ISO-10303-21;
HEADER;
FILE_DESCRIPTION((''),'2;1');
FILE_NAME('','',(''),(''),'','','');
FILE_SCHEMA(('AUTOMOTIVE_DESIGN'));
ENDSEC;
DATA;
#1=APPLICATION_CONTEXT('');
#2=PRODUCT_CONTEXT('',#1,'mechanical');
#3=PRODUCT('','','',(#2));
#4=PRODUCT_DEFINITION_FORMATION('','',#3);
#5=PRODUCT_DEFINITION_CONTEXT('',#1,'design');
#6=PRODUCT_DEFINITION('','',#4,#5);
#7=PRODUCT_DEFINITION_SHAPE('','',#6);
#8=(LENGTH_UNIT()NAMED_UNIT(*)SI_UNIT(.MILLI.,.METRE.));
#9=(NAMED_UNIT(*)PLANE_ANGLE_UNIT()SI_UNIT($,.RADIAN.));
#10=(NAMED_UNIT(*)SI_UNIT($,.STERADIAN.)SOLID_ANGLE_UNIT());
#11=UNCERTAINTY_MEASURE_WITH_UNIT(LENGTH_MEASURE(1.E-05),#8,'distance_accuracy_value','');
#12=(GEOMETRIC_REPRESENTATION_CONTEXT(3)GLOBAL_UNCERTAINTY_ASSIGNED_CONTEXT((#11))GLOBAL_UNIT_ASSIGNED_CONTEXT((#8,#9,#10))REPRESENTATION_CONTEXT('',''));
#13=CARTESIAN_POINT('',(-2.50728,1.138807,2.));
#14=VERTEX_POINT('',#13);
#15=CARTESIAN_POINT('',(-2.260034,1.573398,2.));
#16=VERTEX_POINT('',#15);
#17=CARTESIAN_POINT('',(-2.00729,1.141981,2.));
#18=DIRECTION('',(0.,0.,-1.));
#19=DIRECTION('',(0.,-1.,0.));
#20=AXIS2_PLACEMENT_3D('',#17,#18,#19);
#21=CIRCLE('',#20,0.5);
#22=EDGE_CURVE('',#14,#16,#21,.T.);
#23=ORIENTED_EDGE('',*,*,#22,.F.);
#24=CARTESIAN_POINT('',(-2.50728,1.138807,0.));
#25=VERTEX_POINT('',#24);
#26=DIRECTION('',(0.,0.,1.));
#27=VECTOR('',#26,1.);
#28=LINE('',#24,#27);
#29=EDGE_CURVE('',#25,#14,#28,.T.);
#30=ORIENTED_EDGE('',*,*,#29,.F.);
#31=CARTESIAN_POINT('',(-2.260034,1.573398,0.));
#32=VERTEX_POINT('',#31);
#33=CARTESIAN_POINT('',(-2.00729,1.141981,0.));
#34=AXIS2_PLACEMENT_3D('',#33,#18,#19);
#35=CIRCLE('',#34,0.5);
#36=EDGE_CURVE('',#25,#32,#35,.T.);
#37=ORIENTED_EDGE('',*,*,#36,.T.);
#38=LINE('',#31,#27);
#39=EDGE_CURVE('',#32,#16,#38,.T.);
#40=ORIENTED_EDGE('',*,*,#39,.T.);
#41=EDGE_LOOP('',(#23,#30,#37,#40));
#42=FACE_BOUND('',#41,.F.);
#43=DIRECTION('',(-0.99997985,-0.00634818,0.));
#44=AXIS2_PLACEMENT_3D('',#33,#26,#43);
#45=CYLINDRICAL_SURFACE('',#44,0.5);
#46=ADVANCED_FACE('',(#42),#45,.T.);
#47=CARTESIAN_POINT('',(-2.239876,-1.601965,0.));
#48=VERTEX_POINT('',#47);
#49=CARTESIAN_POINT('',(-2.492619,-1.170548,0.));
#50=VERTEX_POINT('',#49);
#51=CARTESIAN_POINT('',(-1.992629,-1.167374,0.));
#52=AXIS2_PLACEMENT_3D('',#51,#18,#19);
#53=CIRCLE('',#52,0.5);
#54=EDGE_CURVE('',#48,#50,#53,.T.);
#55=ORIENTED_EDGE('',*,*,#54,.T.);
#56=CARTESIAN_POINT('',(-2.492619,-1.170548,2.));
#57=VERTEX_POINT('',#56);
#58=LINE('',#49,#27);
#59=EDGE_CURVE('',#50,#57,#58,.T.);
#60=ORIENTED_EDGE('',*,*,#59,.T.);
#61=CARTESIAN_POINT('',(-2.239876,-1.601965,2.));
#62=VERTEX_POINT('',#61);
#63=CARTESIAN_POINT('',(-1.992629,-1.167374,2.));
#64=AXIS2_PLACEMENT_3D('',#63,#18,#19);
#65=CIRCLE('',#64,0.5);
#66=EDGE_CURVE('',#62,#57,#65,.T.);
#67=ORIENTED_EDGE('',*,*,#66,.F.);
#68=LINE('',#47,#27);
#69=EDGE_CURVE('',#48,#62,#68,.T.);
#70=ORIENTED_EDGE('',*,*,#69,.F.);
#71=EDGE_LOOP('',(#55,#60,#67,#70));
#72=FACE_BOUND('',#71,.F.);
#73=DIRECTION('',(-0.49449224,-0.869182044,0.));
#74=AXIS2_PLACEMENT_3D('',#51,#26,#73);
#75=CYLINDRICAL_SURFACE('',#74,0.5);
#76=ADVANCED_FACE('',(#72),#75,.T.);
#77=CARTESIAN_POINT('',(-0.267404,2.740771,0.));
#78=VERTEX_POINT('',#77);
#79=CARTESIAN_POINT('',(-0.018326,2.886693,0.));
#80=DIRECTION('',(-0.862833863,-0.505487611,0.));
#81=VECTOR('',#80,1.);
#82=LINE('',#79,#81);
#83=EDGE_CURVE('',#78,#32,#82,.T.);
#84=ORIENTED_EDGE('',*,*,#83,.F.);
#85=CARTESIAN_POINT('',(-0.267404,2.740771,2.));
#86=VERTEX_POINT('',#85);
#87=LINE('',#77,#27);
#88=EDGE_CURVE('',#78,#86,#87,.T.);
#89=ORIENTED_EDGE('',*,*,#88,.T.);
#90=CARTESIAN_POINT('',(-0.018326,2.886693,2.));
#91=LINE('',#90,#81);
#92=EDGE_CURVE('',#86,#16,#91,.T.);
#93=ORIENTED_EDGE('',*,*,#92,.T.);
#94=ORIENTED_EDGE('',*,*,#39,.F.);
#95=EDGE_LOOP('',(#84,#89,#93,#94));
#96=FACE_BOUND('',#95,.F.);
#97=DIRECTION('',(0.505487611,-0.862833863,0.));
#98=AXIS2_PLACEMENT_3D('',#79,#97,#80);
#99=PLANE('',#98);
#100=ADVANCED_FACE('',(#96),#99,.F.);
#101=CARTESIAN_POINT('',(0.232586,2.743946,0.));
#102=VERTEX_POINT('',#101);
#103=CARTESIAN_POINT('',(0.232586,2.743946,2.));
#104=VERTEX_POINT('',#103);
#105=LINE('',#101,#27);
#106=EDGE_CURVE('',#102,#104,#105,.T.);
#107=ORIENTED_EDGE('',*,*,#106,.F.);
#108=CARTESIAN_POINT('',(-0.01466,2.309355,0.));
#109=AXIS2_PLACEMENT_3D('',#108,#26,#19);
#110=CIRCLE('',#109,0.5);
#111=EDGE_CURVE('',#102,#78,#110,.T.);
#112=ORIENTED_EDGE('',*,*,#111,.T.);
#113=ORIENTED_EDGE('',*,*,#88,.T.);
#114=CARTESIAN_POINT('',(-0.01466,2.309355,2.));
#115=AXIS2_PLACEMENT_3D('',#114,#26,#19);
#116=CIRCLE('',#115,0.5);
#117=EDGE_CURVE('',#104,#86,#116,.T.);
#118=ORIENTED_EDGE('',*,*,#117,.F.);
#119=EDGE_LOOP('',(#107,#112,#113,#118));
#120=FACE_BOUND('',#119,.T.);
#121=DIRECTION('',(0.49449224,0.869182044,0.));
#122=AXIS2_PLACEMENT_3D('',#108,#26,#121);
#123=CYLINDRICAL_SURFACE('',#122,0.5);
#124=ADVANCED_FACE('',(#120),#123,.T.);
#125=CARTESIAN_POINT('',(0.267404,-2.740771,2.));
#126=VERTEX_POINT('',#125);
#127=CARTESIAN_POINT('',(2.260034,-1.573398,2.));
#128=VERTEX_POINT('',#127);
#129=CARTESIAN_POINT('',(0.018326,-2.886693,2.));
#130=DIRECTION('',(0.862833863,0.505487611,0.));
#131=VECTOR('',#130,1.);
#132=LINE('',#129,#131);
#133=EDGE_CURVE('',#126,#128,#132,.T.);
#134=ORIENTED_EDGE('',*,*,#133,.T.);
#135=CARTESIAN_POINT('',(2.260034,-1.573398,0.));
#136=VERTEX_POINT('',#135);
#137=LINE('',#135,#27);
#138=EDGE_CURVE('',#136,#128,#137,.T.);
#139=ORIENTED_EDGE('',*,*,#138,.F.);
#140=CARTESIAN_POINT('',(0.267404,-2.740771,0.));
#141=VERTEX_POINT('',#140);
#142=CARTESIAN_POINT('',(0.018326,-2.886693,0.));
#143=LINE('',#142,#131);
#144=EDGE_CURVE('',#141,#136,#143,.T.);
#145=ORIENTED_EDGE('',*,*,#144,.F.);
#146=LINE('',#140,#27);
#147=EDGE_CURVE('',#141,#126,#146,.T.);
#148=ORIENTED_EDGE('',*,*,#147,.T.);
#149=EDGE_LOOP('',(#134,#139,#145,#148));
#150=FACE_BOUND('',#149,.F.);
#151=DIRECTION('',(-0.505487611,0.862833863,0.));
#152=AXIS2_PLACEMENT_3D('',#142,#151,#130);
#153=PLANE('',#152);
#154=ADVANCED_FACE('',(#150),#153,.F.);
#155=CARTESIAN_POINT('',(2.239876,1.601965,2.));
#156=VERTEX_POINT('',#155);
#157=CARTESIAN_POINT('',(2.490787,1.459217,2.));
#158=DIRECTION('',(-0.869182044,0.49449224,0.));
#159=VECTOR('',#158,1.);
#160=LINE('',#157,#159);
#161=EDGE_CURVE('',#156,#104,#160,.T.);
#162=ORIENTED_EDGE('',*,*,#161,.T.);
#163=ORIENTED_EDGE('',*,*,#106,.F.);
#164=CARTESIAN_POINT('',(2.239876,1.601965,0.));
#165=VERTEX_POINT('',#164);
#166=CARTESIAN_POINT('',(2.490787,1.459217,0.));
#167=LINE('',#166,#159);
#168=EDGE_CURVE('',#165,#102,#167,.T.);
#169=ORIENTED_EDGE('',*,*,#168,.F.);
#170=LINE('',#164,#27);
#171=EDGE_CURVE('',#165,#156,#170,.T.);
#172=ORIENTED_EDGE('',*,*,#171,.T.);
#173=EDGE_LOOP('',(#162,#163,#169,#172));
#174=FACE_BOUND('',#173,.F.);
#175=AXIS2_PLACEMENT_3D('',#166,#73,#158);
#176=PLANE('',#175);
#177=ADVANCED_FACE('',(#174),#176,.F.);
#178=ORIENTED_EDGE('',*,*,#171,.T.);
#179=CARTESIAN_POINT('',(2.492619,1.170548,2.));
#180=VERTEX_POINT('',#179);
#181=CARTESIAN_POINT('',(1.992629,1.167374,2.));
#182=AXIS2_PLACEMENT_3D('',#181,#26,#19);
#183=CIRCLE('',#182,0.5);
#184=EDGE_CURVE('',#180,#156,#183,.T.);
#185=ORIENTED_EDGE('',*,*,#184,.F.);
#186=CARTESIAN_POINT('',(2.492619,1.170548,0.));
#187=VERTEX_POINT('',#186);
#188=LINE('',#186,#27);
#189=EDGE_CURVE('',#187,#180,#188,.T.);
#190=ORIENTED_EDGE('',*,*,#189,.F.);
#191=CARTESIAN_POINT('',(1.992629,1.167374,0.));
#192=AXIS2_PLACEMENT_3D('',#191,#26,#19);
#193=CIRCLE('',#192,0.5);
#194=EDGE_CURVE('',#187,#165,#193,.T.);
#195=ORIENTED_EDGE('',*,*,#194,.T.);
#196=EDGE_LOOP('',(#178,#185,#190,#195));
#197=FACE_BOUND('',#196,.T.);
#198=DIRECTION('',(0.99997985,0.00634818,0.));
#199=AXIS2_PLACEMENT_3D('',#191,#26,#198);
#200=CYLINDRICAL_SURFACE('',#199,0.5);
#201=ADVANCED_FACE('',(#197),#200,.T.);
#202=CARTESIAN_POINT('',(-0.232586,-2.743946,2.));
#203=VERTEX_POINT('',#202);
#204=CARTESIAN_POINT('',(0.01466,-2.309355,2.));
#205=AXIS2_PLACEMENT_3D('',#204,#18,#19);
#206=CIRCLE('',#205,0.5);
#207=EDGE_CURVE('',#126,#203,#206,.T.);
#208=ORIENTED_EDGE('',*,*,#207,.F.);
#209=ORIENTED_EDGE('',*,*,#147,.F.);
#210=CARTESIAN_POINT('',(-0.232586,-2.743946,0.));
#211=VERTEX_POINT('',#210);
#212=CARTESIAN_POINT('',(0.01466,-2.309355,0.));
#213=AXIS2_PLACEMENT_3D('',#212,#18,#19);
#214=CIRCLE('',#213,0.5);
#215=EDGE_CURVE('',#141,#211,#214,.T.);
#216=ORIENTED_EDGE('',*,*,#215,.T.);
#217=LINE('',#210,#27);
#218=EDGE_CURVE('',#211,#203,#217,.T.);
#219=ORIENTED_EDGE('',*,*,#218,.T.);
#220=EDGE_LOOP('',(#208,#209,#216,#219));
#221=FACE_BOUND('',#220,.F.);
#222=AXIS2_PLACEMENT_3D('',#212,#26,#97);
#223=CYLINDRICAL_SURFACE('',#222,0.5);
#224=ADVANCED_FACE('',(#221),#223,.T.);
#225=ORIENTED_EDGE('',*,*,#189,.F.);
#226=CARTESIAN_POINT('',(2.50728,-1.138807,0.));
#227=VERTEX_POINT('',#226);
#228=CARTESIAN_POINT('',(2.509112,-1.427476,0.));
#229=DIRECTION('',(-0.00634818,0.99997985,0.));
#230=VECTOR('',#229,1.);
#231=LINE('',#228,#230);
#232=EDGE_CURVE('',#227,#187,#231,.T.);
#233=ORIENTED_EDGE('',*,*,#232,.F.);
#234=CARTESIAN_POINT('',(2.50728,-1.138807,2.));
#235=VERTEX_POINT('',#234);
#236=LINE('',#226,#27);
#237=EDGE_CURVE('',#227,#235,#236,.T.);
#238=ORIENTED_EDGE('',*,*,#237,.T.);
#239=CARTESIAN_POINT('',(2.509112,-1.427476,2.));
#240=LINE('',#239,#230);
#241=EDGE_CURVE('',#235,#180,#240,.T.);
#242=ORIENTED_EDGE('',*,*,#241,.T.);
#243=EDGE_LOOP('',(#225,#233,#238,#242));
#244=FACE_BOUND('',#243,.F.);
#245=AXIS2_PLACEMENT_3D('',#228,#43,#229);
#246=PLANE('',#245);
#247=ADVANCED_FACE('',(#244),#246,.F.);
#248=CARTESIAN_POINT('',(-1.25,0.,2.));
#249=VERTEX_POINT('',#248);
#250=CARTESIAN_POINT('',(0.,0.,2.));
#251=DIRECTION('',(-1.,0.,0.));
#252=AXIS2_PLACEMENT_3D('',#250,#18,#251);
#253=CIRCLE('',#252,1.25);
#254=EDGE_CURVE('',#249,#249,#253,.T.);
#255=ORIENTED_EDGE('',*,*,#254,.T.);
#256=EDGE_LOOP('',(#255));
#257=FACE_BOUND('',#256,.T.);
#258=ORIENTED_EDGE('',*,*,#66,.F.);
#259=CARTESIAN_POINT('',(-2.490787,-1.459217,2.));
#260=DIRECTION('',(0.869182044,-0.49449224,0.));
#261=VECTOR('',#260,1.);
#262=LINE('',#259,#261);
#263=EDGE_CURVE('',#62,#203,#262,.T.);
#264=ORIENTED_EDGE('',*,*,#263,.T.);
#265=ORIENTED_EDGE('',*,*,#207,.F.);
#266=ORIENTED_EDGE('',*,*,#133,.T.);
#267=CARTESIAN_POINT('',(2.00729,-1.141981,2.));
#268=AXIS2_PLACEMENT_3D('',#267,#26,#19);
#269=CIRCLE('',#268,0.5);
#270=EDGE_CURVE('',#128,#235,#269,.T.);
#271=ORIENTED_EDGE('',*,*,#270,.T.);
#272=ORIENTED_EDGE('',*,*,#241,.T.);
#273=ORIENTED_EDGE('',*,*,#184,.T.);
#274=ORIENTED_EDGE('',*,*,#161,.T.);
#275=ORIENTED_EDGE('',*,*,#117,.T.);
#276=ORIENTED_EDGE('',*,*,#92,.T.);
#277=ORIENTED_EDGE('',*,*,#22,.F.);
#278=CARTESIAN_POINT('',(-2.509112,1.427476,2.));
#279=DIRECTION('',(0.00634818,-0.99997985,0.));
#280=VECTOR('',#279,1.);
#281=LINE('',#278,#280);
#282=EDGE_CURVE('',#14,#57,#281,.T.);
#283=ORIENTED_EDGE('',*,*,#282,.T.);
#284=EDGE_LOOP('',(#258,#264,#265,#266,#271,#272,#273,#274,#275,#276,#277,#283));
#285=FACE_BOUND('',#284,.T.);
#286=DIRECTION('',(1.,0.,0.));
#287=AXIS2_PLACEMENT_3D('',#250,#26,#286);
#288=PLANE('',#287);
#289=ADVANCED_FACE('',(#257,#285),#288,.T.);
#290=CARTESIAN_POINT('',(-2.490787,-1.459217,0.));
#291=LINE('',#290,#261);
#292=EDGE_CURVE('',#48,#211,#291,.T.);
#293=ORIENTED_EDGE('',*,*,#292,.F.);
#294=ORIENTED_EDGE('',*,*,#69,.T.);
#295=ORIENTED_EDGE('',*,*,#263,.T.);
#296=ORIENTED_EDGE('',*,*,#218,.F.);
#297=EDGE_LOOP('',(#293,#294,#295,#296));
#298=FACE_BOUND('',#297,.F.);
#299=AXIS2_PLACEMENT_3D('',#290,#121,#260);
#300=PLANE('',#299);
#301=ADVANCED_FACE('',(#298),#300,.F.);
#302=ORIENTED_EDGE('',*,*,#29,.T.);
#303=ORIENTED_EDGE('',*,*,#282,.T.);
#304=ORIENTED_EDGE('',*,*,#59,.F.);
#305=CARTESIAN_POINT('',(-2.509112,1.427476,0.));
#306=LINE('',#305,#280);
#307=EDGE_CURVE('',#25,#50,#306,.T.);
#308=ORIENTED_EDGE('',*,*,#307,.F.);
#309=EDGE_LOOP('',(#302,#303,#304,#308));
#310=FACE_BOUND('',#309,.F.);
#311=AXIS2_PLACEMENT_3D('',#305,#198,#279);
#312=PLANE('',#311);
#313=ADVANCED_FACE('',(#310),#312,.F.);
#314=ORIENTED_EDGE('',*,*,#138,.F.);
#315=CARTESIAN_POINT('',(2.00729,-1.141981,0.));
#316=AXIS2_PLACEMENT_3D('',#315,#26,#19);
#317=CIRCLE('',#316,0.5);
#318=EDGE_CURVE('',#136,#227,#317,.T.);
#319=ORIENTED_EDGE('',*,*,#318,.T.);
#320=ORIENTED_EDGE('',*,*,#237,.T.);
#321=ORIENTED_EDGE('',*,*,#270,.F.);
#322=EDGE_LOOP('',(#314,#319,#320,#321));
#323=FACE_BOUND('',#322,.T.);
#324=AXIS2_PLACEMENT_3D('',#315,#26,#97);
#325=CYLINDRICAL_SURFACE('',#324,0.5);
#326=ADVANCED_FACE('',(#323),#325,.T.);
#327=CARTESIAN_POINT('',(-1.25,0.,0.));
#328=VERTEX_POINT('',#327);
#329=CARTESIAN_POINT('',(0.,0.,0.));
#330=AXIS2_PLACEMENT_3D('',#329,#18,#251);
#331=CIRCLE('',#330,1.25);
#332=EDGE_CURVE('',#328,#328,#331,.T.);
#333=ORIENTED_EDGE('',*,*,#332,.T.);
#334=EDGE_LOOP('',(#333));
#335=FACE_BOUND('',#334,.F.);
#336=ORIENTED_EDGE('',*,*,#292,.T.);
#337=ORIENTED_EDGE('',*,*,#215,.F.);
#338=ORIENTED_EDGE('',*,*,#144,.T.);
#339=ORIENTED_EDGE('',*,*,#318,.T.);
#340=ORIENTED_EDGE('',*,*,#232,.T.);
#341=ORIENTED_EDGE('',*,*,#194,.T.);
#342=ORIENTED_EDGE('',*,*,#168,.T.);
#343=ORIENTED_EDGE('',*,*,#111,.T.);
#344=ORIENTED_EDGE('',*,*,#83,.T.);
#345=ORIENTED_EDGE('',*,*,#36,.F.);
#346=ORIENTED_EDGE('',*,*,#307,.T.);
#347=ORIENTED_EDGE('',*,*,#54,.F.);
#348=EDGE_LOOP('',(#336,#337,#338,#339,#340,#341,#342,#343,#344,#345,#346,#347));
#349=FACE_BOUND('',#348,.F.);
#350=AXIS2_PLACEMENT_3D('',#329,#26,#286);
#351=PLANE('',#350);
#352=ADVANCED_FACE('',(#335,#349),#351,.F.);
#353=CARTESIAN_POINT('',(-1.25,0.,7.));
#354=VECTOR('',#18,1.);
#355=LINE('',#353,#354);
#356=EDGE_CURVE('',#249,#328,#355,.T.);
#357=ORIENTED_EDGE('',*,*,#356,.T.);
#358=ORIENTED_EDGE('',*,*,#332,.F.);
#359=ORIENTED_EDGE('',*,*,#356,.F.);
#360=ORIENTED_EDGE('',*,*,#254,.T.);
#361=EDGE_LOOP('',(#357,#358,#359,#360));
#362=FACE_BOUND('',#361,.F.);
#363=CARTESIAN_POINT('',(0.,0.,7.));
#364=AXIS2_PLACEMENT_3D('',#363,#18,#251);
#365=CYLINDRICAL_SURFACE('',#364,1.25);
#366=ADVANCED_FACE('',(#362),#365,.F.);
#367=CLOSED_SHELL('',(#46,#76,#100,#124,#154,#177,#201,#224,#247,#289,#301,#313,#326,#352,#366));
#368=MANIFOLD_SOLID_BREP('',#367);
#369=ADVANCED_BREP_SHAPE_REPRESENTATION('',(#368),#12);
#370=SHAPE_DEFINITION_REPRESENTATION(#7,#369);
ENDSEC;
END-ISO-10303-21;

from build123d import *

# Parameters (mm, degrees)
F1_DEPTH = 4
F3_D     = 5
F3_DEPTH = 10
F3_TIP   = 1.5021515476
F4_R     = 1
F5_SCALE = 0.5


with BuildPart() as f1:
    # F0 (on Top) → F1 (new body)
    with BuildSketch(Plane.XY):
        Polygon((0.0366512368, -5.7733863564), (5.0182248689, -2.8549522761), (4.9815736321, 2.9184340803), (-0.0366512368, 5.7733863564), (-5.0182248689, 2.8549522761), (-4.9815736321, -2.9184340803), align=None)
    extrude(amount=F1_DEPTH)

    # F3
    with Locations(Plane.XY.offset(4)):
        with Locations((0, 0)):
            Hole(F3_D / 2, depth=F3_DEPTH)
            with Locations((0, 0, -(F3_DEPTH + F3_TIP / 2))):  # 118° drill point
                Cone(0, F3_D / 2, F3_TIP, mode=Mode.SUBTRACT)

    # F4
    f4_edges = [f1.edges().sort_by_distance(p)[0] for p in [
        (-5.018225, 2.854952, 2),
        (-0.036651, 5.773386, 2),
        (-4.981574, -2.918434, 2),
        (0.036651, -5.773386, 2),
        (5.018225, -2.854952, 2),
        (4.981574, 2.918434, 2),
    ]]
    fillet(f4_edges, radius=F4_R)


with BuildPart() as f1_1:
    # F5: moved
    add(f1.part.scale(F5_SCALE))


solid = f1_1.part
